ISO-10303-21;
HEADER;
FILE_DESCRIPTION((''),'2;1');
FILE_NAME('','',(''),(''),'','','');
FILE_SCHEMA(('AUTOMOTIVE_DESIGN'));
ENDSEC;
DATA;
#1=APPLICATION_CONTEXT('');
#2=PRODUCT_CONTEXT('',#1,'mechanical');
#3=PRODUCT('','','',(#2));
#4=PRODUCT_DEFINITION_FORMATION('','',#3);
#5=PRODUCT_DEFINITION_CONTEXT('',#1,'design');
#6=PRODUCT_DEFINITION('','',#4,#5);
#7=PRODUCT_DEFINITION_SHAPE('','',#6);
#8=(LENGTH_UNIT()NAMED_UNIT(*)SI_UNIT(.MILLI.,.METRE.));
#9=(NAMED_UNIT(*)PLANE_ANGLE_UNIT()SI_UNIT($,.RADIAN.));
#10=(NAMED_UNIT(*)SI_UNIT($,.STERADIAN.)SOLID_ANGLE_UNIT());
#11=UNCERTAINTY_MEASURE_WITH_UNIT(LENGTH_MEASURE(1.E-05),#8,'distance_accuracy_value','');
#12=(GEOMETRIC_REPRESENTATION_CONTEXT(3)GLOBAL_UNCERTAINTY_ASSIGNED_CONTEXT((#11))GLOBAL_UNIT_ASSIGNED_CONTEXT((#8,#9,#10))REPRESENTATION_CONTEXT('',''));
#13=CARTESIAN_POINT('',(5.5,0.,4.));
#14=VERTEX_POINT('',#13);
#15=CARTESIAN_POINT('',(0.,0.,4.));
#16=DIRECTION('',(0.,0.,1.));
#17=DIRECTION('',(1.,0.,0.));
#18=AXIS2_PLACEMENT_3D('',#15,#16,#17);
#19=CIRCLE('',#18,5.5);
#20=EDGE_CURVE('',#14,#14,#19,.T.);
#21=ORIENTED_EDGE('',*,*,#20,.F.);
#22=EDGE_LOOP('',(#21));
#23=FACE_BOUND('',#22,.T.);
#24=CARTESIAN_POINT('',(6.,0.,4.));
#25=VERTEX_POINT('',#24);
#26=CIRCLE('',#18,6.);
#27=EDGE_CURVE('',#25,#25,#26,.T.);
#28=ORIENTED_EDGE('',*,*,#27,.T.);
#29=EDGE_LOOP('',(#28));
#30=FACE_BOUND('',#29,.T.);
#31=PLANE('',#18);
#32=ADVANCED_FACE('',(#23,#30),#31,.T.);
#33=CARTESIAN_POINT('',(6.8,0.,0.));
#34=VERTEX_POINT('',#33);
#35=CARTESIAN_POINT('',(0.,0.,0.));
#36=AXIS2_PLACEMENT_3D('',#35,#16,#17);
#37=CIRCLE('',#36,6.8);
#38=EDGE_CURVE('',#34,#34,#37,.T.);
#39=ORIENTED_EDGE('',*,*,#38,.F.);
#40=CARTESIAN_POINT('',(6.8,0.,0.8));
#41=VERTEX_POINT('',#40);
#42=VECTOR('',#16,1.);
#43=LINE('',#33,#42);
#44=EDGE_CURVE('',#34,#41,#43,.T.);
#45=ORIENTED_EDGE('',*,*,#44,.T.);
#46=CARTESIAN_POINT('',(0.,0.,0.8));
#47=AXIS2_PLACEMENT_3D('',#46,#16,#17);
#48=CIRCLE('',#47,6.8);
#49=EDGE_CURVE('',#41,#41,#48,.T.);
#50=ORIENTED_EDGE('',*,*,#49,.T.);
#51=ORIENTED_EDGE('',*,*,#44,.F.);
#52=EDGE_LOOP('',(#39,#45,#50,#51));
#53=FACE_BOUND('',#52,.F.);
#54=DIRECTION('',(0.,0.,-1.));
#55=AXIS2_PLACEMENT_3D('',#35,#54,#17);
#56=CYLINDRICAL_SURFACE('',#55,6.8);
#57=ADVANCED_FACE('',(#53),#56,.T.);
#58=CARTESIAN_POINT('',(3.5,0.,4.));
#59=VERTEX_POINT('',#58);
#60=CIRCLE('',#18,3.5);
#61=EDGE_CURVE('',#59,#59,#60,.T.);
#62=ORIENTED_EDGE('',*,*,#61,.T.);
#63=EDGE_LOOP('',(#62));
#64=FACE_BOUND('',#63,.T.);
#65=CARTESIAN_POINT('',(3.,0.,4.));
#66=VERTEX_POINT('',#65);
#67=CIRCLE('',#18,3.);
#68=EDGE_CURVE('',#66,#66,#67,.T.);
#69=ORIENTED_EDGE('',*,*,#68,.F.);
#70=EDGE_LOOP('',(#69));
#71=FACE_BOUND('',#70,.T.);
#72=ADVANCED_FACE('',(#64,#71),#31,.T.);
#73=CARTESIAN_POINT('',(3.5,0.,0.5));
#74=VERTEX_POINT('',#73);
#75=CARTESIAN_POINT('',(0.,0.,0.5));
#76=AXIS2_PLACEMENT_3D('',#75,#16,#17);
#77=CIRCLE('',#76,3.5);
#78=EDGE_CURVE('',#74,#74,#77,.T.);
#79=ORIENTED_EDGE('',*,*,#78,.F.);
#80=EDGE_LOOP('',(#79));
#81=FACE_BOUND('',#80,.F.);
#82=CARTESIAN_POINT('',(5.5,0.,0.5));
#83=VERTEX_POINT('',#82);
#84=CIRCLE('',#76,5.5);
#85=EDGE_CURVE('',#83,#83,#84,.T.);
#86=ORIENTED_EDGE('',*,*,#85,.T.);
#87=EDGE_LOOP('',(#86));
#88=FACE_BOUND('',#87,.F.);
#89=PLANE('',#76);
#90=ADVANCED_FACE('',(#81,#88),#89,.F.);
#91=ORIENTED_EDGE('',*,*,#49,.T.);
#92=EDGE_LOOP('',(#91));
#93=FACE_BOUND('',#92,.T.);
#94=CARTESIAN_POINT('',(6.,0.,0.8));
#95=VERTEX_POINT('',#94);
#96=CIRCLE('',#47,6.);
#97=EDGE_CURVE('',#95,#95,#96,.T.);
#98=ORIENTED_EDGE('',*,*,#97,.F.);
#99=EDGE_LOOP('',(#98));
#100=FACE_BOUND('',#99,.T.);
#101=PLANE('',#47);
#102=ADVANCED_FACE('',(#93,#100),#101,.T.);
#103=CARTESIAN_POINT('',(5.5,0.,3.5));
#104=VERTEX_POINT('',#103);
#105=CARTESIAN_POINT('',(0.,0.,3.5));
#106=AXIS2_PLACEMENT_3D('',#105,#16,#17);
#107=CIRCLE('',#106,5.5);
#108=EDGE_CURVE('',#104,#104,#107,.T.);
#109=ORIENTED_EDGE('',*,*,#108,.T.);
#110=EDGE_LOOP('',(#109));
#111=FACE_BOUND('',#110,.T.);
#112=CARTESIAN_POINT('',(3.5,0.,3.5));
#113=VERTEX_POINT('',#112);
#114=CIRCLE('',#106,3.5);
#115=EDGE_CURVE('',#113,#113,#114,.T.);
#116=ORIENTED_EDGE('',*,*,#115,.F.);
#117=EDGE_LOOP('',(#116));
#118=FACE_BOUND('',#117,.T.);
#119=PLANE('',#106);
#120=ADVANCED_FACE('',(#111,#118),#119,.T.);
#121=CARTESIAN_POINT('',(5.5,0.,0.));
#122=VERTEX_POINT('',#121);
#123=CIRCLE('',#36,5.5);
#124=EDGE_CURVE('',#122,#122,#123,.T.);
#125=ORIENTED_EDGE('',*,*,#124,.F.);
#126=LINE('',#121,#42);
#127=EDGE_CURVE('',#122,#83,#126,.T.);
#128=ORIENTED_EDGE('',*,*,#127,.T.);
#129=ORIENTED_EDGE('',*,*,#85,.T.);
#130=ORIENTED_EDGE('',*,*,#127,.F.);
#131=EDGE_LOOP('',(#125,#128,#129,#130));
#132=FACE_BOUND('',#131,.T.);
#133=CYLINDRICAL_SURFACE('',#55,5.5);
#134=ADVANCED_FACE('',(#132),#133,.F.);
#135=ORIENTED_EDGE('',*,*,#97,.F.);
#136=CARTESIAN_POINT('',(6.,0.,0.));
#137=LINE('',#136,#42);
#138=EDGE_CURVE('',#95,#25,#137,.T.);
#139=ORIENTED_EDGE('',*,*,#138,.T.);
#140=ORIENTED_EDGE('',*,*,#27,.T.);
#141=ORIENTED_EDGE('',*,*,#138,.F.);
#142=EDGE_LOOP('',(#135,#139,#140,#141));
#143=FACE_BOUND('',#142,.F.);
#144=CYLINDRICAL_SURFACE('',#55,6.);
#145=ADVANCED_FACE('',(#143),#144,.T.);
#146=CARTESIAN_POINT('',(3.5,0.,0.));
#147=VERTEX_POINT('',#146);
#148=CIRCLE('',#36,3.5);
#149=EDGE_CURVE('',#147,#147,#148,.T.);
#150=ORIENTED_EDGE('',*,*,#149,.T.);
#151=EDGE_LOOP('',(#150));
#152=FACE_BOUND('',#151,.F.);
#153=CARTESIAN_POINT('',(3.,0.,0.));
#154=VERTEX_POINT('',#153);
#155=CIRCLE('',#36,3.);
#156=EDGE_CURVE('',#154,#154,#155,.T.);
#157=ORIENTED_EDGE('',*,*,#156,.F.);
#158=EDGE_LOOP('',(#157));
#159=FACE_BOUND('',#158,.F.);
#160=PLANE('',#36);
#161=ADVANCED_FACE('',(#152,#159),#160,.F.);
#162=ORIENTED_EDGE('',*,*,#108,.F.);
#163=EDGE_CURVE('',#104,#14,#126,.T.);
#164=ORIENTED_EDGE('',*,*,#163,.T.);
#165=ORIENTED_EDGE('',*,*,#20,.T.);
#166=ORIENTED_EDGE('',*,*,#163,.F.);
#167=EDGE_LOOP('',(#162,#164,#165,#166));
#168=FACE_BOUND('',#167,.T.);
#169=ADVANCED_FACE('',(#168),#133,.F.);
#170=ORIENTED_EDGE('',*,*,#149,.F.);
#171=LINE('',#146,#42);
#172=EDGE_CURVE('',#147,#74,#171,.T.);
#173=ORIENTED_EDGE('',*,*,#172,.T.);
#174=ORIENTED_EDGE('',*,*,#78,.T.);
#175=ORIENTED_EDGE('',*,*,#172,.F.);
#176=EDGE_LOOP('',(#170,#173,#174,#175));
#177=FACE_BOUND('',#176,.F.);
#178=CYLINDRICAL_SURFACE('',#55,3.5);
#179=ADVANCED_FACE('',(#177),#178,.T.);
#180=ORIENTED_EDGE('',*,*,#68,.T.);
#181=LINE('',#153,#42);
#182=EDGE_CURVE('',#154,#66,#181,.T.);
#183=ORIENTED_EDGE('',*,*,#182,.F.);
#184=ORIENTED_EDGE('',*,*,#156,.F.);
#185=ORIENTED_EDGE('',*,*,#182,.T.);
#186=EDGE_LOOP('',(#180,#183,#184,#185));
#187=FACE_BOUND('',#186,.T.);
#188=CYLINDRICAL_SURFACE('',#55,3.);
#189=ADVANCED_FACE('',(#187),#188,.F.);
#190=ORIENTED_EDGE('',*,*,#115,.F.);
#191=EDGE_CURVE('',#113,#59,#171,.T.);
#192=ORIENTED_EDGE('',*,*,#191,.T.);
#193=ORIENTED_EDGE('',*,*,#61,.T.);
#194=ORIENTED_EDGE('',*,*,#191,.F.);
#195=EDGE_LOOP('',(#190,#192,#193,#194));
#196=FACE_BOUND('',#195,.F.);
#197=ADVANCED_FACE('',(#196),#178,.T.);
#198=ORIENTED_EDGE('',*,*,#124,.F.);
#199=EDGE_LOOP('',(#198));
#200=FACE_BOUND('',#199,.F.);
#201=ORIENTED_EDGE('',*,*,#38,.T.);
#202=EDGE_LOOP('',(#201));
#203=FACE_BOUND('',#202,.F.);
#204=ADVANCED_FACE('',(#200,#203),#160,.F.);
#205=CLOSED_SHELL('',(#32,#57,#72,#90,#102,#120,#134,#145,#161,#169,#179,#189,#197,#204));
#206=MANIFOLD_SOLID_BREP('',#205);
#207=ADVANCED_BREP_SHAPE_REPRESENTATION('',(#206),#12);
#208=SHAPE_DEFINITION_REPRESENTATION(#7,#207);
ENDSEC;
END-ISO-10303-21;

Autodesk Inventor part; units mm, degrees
ref_plane "YZ Plane" through (0, 0, 0) normal (1, 0, 0) x (0, 1, 0)
ref_plane "XZ Plane" through (0, 0, 0) normal (0, 1, 0) x (-1, 0, 0)
ref_plane "XY Plane" through (0, 0, 0) normal (0, 0, 1) x (1, 0, 0)
sketch "スケッチ1" plane through (0, 0, 0) normal (0, 0, 1) x (1, 0, 0)
  circle A0 centre (0, 0) radius 6
  circle A1 centre (0, 0) radius 3
  circle A2 centre (0, 0) radius 6.8
  circle A3 centre (0, 0) radius 5.5
  circle A4 centre (0, 0) radius 3.5
  dimension "d0" = 12
  dimension "d1" = 6
  dimension "d4" = 0.8
  dimension "d6" = 0.5
  dimension "d7" = 0.5
extrude "押し出し1" add sketch "スケッチ1" along normal blind 0.8 contours A2
extrude "押し出し2" add sketch "スケッチ1" along normal blind 4 contours A0 | A4
extrude "押し出し3" add sketch "スケッチ1" along normal blind 3.5 contours A3
extrude "押し出し5" cut sketch "スケッチ1" along normal blind 0.5 contours A3
properties part number "ベアリングフランジ6-12"
